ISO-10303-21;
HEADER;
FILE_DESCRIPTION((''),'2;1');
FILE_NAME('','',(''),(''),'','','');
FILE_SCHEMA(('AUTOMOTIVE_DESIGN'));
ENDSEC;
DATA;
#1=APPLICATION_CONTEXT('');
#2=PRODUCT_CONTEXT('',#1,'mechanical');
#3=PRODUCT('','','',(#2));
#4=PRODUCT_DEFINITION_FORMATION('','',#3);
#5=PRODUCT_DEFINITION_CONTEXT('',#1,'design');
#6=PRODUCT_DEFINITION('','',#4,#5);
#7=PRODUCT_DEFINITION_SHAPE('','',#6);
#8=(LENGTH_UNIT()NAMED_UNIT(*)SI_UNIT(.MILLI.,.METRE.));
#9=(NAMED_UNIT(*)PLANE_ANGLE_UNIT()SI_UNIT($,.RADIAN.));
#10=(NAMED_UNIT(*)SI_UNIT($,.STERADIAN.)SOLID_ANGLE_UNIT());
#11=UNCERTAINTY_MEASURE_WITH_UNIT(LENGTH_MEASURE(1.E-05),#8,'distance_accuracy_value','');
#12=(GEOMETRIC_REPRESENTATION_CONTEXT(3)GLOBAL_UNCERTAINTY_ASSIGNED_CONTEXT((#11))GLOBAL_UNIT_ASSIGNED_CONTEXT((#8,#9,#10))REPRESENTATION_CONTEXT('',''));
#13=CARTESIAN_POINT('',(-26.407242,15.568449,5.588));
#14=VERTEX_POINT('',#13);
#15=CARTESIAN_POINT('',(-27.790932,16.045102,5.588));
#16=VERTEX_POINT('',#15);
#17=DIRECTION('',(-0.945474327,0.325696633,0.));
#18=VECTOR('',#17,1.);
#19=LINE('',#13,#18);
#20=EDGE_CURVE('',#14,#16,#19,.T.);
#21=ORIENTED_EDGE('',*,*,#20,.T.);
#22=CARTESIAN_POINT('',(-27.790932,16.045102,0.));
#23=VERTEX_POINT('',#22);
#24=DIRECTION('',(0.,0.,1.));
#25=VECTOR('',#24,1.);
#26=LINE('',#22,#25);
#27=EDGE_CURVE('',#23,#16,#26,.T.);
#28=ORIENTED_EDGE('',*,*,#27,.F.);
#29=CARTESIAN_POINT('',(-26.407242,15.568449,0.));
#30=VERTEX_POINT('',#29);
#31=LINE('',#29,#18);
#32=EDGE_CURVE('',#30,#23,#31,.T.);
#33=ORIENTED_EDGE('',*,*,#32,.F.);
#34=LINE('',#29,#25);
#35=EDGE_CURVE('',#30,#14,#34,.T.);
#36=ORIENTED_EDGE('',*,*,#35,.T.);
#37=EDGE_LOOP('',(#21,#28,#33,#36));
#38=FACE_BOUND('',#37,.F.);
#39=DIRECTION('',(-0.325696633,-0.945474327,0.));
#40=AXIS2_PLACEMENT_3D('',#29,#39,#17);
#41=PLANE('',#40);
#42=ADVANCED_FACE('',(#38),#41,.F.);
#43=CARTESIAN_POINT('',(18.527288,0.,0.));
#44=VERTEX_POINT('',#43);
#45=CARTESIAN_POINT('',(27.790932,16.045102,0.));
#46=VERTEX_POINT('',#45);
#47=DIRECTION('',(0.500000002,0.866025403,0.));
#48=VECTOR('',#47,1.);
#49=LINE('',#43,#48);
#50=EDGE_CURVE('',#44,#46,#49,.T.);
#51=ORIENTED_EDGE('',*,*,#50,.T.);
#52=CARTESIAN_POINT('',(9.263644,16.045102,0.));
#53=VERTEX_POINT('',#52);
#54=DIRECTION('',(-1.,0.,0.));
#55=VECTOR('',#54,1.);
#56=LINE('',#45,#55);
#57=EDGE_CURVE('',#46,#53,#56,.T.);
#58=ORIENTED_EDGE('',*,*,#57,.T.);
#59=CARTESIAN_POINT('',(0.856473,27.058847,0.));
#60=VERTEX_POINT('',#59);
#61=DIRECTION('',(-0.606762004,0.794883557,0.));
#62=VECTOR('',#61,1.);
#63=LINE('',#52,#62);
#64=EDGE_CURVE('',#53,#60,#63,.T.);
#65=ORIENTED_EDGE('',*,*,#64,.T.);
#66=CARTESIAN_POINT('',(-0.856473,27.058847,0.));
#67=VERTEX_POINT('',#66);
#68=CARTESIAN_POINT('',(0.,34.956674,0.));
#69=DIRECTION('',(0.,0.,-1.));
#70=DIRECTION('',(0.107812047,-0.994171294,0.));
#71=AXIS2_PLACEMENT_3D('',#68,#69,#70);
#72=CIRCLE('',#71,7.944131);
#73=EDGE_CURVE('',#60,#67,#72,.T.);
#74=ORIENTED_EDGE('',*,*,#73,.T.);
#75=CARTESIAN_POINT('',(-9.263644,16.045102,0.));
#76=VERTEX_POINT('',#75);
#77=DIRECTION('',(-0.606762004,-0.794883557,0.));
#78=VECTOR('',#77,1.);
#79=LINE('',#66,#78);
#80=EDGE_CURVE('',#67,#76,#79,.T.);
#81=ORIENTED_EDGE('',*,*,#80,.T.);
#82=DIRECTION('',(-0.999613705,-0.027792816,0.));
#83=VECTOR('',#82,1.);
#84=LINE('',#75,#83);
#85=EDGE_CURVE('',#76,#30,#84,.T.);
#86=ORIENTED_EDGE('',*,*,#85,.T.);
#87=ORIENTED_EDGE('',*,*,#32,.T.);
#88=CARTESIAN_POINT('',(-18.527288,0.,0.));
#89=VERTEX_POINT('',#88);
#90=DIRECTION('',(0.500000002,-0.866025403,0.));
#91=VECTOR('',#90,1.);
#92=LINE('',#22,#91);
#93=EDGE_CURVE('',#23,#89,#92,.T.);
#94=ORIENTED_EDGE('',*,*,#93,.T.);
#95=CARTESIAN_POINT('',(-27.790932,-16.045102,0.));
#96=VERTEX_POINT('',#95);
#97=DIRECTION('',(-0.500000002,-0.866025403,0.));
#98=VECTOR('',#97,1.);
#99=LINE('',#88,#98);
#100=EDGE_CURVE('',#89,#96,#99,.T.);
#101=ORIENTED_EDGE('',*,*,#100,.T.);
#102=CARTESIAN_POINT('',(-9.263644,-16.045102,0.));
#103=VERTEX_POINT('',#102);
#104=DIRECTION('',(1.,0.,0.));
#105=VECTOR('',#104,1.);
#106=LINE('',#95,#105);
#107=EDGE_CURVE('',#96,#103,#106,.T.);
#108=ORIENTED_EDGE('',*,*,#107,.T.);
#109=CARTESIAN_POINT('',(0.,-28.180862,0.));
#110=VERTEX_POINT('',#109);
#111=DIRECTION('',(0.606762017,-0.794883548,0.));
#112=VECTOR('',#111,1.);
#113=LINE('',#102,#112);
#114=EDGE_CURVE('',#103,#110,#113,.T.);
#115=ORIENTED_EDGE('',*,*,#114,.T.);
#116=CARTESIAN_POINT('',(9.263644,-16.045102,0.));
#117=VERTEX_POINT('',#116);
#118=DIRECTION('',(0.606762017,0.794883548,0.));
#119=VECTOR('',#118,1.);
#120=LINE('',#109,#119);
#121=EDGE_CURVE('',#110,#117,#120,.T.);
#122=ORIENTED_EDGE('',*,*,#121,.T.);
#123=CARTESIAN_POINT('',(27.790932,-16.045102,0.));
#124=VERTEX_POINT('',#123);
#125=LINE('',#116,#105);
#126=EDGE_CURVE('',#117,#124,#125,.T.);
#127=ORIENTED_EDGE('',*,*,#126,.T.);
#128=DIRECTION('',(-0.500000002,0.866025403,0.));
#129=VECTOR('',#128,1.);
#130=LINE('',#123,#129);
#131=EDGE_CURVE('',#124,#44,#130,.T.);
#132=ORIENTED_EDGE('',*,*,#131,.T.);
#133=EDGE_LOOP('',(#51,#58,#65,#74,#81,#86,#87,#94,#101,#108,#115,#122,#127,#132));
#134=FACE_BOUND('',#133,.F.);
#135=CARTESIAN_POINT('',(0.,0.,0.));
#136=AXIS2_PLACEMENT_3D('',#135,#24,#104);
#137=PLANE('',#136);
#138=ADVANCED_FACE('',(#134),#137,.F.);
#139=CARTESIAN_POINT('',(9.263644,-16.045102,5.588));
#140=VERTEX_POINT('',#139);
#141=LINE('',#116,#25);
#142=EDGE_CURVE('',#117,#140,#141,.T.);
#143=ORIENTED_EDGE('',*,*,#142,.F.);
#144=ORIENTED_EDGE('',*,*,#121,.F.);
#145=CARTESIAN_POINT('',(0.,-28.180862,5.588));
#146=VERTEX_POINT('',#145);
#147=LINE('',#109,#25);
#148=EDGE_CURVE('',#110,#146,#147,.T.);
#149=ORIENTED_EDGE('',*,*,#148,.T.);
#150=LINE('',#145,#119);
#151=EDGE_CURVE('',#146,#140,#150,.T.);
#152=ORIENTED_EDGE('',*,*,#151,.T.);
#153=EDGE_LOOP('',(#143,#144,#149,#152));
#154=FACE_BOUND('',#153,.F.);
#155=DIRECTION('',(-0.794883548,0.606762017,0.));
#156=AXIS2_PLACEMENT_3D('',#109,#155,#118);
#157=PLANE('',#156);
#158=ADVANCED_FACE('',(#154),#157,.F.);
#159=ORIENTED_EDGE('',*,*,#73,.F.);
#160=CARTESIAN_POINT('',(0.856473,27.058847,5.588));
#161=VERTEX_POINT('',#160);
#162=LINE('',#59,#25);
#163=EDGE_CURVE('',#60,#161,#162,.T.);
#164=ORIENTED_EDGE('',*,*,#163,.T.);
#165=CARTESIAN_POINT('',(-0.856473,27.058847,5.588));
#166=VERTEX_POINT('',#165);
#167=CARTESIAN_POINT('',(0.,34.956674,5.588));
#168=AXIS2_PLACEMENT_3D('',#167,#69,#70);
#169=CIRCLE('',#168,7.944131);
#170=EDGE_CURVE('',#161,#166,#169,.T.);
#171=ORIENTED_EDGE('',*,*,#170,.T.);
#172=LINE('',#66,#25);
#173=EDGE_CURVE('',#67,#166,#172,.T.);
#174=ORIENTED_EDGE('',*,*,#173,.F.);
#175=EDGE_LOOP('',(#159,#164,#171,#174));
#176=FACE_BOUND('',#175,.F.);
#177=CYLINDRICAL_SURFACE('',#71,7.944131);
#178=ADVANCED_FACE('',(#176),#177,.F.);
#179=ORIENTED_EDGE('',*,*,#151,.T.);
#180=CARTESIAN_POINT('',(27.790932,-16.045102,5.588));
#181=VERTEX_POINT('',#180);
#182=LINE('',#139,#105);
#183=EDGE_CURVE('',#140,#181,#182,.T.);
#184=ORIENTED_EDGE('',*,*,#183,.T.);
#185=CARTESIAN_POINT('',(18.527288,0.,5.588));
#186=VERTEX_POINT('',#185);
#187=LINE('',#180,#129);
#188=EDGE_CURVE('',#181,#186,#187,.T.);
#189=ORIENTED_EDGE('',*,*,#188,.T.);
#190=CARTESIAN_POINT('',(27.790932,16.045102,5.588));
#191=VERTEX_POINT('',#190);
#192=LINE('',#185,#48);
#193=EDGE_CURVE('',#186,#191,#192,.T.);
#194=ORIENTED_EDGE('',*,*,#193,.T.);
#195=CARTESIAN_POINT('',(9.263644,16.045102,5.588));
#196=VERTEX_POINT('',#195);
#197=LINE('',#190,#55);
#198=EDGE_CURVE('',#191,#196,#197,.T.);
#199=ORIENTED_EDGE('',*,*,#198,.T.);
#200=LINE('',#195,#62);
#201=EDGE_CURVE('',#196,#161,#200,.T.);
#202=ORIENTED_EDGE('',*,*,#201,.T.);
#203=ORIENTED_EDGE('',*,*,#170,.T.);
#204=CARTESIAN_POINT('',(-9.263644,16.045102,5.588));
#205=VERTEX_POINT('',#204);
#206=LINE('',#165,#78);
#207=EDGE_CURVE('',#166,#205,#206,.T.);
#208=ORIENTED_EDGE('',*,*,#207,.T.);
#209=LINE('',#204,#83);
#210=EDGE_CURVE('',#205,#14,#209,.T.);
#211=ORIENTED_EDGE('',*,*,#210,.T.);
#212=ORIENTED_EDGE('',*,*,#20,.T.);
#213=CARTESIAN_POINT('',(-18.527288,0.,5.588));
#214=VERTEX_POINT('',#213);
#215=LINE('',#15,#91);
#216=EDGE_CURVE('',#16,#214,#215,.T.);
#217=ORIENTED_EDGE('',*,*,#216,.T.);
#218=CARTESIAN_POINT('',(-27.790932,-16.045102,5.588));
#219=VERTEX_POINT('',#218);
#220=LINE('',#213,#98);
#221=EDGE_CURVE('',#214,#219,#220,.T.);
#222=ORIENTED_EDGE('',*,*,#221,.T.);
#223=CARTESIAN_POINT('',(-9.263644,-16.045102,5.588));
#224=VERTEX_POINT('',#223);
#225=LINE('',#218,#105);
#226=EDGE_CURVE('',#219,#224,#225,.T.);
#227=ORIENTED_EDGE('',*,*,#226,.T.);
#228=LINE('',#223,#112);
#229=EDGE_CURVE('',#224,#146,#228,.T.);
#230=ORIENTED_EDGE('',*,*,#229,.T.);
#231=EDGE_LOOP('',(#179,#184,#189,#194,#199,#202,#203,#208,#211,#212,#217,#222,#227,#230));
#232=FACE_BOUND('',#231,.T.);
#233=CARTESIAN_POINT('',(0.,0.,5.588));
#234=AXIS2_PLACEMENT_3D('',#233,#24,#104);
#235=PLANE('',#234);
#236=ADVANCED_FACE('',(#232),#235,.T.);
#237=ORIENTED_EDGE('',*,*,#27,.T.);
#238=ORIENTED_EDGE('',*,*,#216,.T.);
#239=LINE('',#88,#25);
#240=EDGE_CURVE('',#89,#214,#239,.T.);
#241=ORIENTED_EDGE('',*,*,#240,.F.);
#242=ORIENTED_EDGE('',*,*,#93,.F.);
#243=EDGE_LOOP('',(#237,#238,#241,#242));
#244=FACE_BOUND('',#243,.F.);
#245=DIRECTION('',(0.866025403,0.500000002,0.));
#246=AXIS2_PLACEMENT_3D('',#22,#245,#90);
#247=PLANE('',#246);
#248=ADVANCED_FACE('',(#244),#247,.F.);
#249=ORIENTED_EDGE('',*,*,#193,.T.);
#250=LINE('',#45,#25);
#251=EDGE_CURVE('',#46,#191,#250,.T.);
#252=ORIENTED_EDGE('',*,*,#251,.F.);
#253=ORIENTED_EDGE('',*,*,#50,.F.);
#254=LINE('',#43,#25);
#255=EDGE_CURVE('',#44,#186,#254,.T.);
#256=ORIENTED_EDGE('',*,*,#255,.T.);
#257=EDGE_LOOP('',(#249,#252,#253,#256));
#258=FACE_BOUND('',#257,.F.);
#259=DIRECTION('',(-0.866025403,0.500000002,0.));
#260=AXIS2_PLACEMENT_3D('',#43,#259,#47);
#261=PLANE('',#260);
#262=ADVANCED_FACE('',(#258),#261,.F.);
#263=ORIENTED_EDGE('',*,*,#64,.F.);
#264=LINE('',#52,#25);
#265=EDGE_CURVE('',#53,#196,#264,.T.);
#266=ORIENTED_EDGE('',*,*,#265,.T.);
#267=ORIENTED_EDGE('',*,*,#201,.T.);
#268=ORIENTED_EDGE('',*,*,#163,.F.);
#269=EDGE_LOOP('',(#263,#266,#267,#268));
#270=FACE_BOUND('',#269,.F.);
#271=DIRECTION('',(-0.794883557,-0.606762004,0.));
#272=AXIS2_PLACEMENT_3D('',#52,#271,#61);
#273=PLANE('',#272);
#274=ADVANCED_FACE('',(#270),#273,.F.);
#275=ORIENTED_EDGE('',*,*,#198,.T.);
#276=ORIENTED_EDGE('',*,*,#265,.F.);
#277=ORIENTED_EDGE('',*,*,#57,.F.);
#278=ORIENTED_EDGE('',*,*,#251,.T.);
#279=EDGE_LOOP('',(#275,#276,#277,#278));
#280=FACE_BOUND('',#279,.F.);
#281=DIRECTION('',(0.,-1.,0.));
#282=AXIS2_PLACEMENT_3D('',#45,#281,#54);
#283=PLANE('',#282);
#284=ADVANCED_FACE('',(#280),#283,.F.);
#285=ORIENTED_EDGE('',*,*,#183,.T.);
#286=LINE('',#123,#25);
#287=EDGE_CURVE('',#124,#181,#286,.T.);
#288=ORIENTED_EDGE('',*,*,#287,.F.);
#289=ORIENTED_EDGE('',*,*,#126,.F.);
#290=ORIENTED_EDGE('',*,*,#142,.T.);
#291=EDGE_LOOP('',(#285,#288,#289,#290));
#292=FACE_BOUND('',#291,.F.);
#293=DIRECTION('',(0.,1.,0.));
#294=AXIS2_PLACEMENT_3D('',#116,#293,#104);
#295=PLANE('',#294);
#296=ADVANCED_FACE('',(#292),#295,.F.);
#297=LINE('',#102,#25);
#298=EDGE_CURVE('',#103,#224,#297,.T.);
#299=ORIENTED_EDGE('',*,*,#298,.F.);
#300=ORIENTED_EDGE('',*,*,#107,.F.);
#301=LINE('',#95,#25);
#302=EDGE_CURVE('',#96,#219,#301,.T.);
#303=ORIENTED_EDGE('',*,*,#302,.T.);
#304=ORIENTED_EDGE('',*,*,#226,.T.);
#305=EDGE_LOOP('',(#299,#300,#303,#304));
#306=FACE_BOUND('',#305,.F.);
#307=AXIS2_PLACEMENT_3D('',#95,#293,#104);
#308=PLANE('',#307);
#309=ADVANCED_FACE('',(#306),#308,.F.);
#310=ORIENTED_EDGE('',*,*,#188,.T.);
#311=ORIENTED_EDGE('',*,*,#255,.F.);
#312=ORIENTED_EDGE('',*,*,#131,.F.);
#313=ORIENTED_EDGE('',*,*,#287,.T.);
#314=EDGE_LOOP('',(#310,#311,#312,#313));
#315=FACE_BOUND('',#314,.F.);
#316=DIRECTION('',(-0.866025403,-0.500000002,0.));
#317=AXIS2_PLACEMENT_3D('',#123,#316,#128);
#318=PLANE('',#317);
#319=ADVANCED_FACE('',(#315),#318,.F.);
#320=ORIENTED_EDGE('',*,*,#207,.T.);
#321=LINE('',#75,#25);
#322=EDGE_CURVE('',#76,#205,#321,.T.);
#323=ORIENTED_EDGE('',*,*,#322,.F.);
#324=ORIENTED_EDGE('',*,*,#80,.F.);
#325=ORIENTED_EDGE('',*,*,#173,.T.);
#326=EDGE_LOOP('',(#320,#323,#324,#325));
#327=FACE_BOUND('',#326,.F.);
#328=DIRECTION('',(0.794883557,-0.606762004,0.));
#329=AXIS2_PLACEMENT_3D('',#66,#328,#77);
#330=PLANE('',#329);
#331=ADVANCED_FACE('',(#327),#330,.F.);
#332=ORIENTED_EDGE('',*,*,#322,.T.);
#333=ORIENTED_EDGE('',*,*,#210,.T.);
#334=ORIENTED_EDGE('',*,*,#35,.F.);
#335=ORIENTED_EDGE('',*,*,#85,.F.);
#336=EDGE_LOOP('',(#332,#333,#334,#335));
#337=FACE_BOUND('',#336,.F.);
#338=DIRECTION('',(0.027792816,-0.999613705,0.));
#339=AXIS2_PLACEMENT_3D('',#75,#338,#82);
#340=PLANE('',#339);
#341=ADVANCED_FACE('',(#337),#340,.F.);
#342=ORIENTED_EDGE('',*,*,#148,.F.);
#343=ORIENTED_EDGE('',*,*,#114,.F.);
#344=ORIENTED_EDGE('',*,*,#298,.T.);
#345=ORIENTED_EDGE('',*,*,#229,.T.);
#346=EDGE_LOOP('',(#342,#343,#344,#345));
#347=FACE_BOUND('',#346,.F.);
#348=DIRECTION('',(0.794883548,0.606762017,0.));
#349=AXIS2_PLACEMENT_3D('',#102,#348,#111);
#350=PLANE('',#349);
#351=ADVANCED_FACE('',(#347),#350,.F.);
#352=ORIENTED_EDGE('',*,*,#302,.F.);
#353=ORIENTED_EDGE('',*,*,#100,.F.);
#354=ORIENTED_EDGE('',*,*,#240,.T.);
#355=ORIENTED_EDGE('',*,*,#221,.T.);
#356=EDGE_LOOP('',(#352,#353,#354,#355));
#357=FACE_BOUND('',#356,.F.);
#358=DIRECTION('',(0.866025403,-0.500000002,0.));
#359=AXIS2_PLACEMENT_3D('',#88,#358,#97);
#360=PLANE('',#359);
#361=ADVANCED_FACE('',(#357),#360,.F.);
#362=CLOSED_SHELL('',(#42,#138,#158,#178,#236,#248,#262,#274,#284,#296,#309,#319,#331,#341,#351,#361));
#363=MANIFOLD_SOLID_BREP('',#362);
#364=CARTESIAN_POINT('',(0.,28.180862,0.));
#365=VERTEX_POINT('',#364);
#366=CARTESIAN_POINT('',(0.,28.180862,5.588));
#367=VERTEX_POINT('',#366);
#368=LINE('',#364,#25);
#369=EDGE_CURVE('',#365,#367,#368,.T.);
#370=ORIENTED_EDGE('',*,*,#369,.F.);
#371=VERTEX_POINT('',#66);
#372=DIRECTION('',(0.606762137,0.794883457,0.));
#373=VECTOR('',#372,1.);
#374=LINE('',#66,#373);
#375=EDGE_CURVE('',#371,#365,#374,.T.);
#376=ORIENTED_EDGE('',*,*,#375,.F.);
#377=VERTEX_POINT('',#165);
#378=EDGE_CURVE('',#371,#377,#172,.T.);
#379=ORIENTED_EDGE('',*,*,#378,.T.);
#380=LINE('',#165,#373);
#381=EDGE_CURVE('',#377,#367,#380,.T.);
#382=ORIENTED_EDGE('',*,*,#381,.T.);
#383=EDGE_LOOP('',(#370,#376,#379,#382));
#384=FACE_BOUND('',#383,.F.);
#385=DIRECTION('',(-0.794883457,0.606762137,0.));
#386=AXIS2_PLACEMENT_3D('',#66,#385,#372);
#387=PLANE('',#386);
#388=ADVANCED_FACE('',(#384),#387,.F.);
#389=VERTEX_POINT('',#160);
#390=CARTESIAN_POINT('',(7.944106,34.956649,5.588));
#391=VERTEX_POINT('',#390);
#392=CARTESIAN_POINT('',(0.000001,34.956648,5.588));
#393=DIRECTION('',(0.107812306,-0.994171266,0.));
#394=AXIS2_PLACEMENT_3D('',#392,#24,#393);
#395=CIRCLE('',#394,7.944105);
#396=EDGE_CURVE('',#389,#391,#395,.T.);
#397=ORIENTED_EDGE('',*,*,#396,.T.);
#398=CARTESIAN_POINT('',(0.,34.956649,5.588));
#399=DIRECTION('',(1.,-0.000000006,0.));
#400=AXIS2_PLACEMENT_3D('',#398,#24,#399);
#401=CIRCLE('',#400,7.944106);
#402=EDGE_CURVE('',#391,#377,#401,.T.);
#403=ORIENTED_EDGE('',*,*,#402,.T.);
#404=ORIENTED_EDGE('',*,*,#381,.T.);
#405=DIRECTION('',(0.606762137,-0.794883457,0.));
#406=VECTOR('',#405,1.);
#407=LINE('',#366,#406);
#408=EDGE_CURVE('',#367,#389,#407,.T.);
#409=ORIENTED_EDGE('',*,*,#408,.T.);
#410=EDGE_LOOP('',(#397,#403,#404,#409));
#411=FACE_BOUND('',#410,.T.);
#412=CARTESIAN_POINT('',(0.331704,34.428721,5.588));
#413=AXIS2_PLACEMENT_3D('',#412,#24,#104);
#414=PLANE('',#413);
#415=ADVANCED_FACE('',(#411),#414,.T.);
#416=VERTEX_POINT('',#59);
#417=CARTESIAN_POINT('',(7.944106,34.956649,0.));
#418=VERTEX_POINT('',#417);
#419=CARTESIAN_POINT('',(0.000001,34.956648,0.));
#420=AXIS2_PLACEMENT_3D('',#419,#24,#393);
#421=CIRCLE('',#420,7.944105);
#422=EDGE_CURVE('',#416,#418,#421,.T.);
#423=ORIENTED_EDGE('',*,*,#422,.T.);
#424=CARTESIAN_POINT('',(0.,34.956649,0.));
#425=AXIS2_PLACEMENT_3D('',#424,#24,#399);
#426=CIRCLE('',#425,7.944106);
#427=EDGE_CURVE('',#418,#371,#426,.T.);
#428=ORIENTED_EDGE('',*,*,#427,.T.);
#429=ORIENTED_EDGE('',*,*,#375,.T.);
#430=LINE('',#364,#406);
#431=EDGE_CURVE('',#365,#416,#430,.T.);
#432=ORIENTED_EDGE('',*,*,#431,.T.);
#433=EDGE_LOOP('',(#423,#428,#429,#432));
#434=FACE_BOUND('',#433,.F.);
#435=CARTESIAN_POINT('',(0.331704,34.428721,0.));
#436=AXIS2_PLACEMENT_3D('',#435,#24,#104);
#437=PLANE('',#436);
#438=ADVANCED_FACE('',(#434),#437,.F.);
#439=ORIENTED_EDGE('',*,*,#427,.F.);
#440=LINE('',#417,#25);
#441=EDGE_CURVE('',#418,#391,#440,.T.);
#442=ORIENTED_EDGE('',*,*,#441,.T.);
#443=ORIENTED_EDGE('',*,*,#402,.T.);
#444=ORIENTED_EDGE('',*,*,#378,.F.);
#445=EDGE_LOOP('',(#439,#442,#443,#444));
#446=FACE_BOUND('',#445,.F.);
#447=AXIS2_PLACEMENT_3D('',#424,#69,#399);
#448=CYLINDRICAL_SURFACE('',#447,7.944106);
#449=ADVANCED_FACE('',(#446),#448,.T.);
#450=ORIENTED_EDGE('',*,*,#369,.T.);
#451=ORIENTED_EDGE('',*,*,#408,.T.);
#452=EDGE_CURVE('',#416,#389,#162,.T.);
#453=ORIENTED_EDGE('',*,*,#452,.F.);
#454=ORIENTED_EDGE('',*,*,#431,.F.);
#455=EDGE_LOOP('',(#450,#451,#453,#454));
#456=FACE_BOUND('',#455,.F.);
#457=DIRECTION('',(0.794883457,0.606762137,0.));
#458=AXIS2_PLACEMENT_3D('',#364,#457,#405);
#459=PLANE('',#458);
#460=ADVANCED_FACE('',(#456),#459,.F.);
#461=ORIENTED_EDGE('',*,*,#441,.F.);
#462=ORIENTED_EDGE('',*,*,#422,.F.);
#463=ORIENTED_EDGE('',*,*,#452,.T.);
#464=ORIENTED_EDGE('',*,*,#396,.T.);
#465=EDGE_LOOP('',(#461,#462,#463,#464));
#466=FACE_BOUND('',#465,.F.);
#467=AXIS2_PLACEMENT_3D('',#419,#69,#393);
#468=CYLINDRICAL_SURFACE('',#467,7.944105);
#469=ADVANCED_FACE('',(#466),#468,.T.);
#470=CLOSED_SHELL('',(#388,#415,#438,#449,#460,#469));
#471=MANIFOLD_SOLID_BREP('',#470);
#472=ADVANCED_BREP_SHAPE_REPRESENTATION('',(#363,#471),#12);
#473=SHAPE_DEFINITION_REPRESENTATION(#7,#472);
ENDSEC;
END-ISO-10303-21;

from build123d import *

# Parameters (mm, degrees)
F1_DEPTH = 5.588


with BuildPart() as f1:
    # F0 (on Top) → F1 (new body)
    with BuildSketch(Plane.XY):
        Polygon((9.263644, 16.045102), (-9.263644, 16.045102), (-18.527288, 0), (-9.263644, -16.045102), (9.263644, -16.045102), (18.527288, 0), align=None)
        with BuildLine():
            Line((-0.856473, 27.058847), (-9.263644, 16.045102))
            Line((-9.263644, 16.045102), (9.263644, 16.045102))
            Line((9.263644, 16.045102), (0.856473, 27.058847))
            ThreePointArc((0.856473, 27.058847), (0, 27.012543), (-0.856473, 27.058847))
        make_face()
        Polygon((-18.527288, 0), (-9.263644, 16.045102), (-26.407242, 15.568449), (-27.790932, 16.045102), align=None)
        Polygon((-9.263644, -16.045102), (-18.527288, 0), (-27.790932, -16.045102), align=None)
        Polygon((9.263644, -16.045102), (-9.263644, -16.045102), (0, -28.180862), align=None)
        Polygon((27.790932, -16.045102), (18.527288, 0), (9.263644, -16.045102), align=None)
        Polygon((27.790932, 16.045102), (9.263644, 16.045102), (18.527288, 0), align=None)
        with BuildLine():
            ThreePointArc((7.944106, 34.956649), (-5.305889, 40.86904), (-0.856473, 27.058847))
            Line((-0.856473, 27.058847), (0, 28.180862))
            Line((0, 28.180862), (0.856473, 27.058847))
            ThreePointArc((0.856473, 27.058847), (5.912391, 29.65076), (7.944106, 34.956649))
        make_face()
    extrude(amount=F1_DEPTH)


solid = f1.part
